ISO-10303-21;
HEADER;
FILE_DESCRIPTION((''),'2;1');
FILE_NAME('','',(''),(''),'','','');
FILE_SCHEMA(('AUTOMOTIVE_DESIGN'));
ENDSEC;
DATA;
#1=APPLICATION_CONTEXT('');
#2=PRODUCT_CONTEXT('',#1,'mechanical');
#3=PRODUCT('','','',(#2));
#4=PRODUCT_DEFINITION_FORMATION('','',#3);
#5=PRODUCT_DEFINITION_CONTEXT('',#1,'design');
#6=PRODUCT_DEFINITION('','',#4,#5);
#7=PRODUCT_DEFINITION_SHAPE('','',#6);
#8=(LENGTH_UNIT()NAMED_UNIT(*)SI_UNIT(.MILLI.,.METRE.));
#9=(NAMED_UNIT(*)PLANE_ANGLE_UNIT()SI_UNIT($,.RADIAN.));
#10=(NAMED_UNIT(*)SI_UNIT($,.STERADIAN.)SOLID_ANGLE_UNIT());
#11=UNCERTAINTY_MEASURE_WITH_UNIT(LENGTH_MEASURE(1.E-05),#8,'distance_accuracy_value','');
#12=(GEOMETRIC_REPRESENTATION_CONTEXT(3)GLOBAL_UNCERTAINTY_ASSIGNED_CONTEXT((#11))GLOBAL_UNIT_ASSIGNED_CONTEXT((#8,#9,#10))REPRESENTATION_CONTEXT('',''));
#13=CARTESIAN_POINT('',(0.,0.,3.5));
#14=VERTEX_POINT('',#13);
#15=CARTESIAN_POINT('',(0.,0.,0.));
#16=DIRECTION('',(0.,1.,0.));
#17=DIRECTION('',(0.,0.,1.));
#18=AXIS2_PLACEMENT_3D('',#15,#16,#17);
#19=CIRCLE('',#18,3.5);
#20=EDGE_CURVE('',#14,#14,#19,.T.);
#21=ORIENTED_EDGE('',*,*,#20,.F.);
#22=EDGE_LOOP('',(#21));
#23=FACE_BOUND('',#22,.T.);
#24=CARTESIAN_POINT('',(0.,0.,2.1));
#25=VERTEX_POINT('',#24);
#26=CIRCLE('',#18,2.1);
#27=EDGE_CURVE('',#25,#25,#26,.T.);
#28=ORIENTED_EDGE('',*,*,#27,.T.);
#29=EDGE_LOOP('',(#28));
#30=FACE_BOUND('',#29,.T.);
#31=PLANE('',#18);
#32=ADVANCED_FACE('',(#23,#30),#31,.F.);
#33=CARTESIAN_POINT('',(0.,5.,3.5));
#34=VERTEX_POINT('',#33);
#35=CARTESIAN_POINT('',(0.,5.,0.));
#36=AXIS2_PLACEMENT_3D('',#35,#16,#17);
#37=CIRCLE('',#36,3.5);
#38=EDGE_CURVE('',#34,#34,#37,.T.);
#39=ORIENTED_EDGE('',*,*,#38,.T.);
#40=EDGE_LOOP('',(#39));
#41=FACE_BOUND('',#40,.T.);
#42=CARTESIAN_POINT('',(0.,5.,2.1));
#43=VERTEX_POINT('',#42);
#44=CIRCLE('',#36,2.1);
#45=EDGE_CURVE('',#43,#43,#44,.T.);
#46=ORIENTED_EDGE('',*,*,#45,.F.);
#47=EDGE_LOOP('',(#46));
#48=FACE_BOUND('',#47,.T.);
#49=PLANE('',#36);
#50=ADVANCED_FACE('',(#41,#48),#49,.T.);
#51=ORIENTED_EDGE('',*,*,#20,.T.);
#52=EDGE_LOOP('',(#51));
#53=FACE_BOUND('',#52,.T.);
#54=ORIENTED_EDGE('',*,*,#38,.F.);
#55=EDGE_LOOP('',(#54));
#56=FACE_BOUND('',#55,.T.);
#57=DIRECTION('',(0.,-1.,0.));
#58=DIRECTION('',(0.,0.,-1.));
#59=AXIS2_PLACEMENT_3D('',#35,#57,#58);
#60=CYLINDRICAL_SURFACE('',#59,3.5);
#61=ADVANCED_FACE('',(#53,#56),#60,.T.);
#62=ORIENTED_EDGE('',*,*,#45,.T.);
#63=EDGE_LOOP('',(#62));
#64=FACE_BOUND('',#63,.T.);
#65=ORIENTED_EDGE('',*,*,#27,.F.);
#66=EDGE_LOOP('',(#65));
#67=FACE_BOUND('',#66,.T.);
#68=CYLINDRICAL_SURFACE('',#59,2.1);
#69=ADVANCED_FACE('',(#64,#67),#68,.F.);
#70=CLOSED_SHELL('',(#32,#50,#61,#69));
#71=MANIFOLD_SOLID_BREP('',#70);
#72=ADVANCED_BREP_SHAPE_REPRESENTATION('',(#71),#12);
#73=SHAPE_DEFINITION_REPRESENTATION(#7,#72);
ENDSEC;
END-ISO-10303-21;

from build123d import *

# Parameters (mm, degrees)
SKETCH_1_R      = 3.5
SKETCH_1_R_2    = 2.1
EXTRUDE_1_DEPTH = 5


with BuildPart() as part:
    # 草图1 → 凸台-拉伸1 (new body)
    with BuildSketch(Plane(origin=(0, 0, 0), x_dir=(1, 0, 0), z_dir=(0, 1, 0))):
        with Locations(Location((0, 0, 0), (0, 0, 270))):
            Circle(SKETCH_1_R)
        with Locations(Location((0, 0, 0), (0, 0, 270))):
            Circle(SKETCH_1_R_2, mode=Mode.SUBTRACT)
    extrude(amount=EXTRUDE_1_DEPTH)


solid = part.part
